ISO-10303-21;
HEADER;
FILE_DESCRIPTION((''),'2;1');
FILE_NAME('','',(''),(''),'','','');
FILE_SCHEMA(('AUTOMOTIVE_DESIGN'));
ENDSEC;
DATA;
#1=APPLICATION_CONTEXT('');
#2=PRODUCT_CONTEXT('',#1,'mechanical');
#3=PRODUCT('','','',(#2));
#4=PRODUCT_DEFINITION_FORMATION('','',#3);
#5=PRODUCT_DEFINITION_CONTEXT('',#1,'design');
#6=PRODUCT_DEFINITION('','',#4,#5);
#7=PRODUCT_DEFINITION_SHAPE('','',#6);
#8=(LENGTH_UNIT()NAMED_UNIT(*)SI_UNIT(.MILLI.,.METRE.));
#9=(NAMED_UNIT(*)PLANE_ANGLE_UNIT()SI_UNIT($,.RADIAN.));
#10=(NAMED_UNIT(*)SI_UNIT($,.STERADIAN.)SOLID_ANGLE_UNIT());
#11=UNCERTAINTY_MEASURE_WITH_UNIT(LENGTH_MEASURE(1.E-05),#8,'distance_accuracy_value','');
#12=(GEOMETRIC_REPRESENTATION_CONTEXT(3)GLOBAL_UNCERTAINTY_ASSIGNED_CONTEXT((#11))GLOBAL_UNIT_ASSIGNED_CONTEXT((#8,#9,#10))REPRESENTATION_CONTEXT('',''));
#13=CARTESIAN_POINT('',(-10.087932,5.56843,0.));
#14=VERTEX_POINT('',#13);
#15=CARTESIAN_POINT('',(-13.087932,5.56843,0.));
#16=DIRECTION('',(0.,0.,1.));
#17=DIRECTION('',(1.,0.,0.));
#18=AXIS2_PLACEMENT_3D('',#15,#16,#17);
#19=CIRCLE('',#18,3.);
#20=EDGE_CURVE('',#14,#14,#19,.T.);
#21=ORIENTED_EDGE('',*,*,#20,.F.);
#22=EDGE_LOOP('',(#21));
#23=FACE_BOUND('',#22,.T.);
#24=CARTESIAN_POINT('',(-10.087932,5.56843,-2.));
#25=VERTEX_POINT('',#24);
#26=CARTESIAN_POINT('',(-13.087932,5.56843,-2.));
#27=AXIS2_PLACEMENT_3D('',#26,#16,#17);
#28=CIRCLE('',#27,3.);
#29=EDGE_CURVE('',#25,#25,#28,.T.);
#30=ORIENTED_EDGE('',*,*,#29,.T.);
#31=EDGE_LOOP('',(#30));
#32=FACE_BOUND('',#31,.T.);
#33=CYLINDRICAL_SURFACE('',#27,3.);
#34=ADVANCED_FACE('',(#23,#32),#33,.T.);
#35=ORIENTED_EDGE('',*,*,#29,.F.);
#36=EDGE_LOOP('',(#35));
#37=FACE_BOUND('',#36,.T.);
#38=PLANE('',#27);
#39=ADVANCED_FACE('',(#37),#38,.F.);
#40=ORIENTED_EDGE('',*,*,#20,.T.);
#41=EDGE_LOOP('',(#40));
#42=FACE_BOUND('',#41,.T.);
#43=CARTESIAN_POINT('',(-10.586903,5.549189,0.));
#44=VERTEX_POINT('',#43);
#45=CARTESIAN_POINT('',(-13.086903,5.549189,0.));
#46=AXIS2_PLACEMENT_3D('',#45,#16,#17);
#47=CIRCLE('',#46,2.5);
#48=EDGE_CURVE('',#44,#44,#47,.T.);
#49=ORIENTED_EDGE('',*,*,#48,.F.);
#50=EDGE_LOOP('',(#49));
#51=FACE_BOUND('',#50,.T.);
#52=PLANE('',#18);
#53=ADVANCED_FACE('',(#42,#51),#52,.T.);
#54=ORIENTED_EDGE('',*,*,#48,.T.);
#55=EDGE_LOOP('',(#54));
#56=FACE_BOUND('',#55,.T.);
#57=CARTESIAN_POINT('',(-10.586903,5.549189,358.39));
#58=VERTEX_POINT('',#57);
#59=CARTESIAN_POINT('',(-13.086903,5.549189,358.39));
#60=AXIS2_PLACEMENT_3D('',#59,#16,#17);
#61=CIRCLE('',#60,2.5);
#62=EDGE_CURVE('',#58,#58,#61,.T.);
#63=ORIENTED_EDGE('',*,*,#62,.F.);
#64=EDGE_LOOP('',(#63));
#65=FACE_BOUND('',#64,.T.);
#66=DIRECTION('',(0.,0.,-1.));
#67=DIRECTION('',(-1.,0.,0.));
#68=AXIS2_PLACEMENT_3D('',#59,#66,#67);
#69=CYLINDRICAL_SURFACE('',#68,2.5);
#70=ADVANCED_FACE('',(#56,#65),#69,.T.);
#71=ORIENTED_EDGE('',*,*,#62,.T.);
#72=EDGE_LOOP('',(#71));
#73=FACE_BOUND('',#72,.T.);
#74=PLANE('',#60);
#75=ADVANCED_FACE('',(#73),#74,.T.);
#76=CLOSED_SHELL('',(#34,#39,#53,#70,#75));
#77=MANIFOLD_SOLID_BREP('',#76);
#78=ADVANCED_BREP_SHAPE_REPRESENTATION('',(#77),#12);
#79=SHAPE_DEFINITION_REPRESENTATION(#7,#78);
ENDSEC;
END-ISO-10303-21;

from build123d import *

# Parameters (mm, degrees)
SKETCH2_R           = 2.5
BOSS_EXTRUDE1_DEPTH = 358.39
SKETCH2_5_R         = 3
BOSS_EXTRUDE2_DEPTH = 2


with BuildPart() as part:
    # Sketch2 → Boss-Extrude1 (new body)
    with BuildSketch(Plane.XY):
        with Locations((-13.086903186, 5.549189199)):
            Circle(SKETCH2_R)
    extrude(amount=BOSS_EXTRUDE1_DEPTH)

    # Sketch2<5> → Boss-Extrude2 (add)
    with BuildSketch(Plane.XY):
        with Locations((-13.087932039, 5.568430377)):
            Circle(SKETCH2_5_R)
    extrude(amount=-BOSS_EXTRUDE2_DEPTH)


solid = part.part
